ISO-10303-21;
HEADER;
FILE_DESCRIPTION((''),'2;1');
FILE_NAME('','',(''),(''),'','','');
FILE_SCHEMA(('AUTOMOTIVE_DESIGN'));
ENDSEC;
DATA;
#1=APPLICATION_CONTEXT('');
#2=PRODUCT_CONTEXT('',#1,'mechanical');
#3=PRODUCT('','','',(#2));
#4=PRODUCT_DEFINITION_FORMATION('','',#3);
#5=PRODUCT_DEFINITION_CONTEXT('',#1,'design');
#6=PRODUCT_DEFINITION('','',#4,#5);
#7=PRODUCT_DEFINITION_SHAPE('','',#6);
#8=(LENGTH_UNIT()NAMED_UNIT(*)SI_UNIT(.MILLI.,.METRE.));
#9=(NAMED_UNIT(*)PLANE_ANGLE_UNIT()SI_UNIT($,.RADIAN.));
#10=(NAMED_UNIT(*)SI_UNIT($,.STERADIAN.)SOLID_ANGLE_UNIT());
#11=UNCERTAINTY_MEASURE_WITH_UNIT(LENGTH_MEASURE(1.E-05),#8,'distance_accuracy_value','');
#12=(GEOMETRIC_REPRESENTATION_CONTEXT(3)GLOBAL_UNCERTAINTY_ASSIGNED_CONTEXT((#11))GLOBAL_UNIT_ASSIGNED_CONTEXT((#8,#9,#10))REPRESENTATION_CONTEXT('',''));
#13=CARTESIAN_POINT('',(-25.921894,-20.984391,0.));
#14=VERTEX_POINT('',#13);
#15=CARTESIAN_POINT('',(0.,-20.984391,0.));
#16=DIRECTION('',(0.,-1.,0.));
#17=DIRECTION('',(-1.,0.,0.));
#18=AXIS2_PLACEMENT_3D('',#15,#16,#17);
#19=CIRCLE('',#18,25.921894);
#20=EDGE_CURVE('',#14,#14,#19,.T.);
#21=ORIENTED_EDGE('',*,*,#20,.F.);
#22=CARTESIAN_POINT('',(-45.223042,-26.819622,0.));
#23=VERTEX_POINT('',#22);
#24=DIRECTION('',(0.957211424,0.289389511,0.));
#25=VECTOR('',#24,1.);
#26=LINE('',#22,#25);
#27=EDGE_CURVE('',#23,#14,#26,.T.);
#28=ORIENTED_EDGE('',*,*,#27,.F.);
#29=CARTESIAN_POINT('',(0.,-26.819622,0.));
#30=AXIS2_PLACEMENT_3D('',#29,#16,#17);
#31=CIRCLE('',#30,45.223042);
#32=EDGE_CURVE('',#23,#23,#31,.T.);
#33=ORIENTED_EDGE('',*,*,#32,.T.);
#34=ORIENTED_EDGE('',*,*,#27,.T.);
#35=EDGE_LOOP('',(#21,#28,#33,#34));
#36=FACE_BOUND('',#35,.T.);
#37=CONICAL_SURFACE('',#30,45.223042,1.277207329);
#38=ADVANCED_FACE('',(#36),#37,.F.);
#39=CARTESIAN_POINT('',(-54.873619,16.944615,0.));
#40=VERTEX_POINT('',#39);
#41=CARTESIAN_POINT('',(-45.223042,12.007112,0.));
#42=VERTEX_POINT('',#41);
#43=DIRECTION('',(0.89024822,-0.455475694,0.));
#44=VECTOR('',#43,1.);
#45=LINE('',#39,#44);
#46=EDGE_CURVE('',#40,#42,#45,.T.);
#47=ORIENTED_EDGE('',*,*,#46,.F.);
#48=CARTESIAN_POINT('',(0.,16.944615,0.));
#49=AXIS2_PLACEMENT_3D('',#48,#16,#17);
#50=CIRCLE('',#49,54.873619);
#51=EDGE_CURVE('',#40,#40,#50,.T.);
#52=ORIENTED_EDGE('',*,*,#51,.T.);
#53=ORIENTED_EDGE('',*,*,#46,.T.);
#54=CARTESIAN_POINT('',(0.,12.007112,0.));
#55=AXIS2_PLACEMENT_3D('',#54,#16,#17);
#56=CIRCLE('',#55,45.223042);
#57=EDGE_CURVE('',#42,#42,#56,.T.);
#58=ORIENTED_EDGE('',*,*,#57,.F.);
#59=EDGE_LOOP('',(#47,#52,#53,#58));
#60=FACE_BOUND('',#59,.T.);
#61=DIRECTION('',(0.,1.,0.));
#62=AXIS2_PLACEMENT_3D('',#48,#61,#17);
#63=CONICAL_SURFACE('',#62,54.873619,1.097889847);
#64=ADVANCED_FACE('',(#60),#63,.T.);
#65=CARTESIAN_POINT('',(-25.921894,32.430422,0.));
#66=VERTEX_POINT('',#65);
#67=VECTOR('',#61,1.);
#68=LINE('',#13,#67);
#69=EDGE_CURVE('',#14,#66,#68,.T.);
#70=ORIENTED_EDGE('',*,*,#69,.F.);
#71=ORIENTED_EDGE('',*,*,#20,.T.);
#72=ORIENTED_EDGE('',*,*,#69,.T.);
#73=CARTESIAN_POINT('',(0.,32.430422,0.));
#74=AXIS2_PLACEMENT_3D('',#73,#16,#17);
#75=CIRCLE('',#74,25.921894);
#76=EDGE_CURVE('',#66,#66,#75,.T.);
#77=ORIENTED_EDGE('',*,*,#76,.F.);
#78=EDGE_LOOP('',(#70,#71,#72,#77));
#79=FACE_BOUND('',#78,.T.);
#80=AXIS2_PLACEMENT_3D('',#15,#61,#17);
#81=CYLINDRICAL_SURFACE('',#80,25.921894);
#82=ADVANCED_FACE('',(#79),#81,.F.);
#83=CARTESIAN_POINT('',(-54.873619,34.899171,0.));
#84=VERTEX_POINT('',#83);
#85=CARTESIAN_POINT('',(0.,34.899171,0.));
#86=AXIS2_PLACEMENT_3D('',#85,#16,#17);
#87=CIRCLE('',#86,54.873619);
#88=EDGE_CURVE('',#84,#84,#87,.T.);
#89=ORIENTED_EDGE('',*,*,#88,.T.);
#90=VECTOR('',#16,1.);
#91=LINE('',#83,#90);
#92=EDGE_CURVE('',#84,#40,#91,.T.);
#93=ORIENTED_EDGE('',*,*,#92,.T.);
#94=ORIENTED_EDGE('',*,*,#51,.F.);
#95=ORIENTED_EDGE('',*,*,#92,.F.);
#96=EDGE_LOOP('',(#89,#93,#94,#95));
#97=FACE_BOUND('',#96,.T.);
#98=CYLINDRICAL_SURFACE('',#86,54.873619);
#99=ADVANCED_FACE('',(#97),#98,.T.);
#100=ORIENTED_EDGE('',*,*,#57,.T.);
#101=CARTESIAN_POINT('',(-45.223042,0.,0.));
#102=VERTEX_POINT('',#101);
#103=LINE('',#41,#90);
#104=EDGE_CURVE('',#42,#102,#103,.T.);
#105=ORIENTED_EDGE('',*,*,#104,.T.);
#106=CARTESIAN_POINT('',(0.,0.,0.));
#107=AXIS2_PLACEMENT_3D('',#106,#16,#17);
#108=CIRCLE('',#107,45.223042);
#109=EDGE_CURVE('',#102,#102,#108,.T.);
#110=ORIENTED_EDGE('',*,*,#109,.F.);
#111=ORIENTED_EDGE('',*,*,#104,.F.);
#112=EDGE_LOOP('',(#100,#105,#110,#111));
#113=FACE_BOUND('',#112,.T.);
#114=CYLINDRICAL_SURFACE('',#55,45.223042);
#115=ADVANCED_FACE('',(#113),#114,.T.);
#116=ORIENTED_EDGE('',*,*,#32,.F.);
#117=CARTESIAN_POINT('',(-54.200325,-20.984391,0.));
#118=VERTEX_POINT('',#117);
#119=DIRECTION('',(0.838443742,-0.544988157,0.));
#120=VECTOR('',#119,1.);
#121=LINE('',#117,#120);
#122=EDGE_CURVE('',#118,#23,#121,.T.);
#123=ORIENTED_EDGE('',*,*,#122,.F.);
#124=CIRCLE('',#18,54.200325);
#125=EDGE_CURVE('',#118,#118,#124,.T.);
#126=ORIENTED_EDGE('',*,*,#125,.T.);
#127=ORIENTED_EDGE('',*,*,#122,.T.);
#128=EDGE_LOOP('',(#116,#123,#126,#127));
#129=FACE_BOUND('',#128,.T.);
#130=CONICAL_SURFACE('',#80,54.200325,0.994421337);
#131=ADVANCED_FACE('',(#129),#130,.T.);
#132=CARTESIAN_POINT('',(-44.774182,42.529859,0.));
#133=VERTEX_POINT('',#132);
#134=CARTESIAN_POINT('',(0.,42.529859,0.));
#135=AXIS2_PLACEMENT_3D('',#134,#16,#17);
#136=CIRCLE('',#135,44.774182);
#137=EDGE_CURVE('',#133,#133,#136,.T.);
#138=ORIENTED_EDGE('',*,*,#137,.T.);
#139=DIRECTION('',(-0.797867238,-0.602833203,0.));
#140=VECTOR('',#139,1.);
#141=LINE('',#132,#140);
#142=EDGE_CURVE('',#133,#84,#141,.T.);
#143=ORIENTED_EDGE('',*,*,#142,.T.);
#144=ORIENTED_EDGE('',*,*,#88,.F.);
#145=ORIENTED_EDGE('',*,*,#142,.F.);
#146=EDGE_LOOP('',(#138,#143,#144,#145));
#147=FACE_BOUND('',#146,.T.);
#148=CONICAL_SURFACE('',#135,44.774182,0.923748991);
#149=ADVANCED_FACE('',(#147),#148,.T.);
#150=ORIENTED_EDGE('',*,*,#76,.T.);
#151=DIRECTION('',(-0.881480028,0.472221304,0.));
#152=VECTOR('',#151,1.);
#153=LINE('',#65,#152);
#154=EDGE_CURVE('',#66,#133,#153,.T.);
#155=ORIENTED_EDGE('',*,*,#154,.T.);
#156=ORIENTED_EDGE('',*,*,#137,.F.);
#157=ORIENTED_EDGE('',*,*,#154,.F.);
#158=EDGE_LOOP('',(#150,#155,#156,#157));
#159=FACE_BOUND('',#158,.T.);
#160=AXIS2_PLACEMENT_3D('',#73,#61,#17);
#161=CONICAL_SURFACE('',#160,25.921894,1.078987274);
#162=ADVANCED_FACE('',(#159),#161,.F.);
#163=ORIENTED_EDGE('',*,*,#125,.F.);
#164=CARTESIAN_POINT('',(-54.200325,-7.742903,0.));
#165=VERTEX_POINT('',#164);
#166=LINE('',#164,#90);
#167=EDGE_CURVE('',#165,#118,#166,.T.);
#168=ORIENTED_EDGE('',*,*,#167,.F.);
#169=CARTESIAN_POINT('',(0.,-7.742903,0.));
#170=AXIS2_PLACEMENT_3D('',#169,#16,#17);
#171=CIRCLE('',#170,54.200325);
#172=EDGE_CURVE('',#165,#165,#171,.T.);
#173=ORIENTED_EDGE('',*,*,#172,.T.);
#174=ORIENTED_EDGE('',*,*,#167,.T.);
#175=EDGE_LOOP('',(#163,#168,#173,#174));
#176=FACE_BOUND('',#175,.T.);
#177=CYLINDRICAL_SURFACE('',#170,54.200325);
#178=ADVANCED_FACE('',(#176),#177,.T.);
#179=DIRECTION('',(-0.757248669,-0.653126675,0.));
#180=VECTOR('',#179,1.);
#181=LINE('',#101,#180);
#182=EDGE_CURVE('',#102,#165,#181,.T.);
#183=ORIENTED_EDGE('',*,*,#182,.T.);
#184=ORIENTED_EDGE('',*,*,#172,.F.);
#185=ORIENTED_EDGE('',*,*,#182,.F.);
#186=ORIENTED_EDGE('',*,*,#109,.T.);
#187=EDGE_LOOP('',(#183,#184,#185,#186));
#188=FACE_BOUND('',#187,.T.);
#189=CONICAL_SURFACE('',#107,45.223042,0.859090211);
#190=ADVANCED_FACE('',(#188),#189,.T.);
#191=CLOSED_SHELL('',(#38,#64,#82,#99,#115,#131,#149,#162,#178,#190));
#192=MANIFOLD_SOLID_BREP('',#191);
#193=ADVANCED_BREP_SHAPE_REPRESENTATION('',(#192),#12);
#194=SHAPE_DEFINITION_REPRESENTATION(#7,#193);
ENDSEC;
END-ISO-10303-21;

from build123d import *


with BuildPart() as f1:
    # F0 (on Top) → F1 (revolve)
    with BuildSketch(Plane.XY):
        Polygon((-25.921894, 32.430422), (-44.774182, 42.529859), (-54.873619, 34.899171), (-54.873619, 16.944615), (-45.223042, 12.007112), (-45.223042, 0), (-54.200325, -7.742903), (-54.200325, -20.984391), (-45.223042, -26.819622), (-25.921894, -20.984391), (-25.921894, 0), align=None)
    revolve(axis=Axis((0, 9.370035, 0), (0, -1, 0)))


solid = f1.part
